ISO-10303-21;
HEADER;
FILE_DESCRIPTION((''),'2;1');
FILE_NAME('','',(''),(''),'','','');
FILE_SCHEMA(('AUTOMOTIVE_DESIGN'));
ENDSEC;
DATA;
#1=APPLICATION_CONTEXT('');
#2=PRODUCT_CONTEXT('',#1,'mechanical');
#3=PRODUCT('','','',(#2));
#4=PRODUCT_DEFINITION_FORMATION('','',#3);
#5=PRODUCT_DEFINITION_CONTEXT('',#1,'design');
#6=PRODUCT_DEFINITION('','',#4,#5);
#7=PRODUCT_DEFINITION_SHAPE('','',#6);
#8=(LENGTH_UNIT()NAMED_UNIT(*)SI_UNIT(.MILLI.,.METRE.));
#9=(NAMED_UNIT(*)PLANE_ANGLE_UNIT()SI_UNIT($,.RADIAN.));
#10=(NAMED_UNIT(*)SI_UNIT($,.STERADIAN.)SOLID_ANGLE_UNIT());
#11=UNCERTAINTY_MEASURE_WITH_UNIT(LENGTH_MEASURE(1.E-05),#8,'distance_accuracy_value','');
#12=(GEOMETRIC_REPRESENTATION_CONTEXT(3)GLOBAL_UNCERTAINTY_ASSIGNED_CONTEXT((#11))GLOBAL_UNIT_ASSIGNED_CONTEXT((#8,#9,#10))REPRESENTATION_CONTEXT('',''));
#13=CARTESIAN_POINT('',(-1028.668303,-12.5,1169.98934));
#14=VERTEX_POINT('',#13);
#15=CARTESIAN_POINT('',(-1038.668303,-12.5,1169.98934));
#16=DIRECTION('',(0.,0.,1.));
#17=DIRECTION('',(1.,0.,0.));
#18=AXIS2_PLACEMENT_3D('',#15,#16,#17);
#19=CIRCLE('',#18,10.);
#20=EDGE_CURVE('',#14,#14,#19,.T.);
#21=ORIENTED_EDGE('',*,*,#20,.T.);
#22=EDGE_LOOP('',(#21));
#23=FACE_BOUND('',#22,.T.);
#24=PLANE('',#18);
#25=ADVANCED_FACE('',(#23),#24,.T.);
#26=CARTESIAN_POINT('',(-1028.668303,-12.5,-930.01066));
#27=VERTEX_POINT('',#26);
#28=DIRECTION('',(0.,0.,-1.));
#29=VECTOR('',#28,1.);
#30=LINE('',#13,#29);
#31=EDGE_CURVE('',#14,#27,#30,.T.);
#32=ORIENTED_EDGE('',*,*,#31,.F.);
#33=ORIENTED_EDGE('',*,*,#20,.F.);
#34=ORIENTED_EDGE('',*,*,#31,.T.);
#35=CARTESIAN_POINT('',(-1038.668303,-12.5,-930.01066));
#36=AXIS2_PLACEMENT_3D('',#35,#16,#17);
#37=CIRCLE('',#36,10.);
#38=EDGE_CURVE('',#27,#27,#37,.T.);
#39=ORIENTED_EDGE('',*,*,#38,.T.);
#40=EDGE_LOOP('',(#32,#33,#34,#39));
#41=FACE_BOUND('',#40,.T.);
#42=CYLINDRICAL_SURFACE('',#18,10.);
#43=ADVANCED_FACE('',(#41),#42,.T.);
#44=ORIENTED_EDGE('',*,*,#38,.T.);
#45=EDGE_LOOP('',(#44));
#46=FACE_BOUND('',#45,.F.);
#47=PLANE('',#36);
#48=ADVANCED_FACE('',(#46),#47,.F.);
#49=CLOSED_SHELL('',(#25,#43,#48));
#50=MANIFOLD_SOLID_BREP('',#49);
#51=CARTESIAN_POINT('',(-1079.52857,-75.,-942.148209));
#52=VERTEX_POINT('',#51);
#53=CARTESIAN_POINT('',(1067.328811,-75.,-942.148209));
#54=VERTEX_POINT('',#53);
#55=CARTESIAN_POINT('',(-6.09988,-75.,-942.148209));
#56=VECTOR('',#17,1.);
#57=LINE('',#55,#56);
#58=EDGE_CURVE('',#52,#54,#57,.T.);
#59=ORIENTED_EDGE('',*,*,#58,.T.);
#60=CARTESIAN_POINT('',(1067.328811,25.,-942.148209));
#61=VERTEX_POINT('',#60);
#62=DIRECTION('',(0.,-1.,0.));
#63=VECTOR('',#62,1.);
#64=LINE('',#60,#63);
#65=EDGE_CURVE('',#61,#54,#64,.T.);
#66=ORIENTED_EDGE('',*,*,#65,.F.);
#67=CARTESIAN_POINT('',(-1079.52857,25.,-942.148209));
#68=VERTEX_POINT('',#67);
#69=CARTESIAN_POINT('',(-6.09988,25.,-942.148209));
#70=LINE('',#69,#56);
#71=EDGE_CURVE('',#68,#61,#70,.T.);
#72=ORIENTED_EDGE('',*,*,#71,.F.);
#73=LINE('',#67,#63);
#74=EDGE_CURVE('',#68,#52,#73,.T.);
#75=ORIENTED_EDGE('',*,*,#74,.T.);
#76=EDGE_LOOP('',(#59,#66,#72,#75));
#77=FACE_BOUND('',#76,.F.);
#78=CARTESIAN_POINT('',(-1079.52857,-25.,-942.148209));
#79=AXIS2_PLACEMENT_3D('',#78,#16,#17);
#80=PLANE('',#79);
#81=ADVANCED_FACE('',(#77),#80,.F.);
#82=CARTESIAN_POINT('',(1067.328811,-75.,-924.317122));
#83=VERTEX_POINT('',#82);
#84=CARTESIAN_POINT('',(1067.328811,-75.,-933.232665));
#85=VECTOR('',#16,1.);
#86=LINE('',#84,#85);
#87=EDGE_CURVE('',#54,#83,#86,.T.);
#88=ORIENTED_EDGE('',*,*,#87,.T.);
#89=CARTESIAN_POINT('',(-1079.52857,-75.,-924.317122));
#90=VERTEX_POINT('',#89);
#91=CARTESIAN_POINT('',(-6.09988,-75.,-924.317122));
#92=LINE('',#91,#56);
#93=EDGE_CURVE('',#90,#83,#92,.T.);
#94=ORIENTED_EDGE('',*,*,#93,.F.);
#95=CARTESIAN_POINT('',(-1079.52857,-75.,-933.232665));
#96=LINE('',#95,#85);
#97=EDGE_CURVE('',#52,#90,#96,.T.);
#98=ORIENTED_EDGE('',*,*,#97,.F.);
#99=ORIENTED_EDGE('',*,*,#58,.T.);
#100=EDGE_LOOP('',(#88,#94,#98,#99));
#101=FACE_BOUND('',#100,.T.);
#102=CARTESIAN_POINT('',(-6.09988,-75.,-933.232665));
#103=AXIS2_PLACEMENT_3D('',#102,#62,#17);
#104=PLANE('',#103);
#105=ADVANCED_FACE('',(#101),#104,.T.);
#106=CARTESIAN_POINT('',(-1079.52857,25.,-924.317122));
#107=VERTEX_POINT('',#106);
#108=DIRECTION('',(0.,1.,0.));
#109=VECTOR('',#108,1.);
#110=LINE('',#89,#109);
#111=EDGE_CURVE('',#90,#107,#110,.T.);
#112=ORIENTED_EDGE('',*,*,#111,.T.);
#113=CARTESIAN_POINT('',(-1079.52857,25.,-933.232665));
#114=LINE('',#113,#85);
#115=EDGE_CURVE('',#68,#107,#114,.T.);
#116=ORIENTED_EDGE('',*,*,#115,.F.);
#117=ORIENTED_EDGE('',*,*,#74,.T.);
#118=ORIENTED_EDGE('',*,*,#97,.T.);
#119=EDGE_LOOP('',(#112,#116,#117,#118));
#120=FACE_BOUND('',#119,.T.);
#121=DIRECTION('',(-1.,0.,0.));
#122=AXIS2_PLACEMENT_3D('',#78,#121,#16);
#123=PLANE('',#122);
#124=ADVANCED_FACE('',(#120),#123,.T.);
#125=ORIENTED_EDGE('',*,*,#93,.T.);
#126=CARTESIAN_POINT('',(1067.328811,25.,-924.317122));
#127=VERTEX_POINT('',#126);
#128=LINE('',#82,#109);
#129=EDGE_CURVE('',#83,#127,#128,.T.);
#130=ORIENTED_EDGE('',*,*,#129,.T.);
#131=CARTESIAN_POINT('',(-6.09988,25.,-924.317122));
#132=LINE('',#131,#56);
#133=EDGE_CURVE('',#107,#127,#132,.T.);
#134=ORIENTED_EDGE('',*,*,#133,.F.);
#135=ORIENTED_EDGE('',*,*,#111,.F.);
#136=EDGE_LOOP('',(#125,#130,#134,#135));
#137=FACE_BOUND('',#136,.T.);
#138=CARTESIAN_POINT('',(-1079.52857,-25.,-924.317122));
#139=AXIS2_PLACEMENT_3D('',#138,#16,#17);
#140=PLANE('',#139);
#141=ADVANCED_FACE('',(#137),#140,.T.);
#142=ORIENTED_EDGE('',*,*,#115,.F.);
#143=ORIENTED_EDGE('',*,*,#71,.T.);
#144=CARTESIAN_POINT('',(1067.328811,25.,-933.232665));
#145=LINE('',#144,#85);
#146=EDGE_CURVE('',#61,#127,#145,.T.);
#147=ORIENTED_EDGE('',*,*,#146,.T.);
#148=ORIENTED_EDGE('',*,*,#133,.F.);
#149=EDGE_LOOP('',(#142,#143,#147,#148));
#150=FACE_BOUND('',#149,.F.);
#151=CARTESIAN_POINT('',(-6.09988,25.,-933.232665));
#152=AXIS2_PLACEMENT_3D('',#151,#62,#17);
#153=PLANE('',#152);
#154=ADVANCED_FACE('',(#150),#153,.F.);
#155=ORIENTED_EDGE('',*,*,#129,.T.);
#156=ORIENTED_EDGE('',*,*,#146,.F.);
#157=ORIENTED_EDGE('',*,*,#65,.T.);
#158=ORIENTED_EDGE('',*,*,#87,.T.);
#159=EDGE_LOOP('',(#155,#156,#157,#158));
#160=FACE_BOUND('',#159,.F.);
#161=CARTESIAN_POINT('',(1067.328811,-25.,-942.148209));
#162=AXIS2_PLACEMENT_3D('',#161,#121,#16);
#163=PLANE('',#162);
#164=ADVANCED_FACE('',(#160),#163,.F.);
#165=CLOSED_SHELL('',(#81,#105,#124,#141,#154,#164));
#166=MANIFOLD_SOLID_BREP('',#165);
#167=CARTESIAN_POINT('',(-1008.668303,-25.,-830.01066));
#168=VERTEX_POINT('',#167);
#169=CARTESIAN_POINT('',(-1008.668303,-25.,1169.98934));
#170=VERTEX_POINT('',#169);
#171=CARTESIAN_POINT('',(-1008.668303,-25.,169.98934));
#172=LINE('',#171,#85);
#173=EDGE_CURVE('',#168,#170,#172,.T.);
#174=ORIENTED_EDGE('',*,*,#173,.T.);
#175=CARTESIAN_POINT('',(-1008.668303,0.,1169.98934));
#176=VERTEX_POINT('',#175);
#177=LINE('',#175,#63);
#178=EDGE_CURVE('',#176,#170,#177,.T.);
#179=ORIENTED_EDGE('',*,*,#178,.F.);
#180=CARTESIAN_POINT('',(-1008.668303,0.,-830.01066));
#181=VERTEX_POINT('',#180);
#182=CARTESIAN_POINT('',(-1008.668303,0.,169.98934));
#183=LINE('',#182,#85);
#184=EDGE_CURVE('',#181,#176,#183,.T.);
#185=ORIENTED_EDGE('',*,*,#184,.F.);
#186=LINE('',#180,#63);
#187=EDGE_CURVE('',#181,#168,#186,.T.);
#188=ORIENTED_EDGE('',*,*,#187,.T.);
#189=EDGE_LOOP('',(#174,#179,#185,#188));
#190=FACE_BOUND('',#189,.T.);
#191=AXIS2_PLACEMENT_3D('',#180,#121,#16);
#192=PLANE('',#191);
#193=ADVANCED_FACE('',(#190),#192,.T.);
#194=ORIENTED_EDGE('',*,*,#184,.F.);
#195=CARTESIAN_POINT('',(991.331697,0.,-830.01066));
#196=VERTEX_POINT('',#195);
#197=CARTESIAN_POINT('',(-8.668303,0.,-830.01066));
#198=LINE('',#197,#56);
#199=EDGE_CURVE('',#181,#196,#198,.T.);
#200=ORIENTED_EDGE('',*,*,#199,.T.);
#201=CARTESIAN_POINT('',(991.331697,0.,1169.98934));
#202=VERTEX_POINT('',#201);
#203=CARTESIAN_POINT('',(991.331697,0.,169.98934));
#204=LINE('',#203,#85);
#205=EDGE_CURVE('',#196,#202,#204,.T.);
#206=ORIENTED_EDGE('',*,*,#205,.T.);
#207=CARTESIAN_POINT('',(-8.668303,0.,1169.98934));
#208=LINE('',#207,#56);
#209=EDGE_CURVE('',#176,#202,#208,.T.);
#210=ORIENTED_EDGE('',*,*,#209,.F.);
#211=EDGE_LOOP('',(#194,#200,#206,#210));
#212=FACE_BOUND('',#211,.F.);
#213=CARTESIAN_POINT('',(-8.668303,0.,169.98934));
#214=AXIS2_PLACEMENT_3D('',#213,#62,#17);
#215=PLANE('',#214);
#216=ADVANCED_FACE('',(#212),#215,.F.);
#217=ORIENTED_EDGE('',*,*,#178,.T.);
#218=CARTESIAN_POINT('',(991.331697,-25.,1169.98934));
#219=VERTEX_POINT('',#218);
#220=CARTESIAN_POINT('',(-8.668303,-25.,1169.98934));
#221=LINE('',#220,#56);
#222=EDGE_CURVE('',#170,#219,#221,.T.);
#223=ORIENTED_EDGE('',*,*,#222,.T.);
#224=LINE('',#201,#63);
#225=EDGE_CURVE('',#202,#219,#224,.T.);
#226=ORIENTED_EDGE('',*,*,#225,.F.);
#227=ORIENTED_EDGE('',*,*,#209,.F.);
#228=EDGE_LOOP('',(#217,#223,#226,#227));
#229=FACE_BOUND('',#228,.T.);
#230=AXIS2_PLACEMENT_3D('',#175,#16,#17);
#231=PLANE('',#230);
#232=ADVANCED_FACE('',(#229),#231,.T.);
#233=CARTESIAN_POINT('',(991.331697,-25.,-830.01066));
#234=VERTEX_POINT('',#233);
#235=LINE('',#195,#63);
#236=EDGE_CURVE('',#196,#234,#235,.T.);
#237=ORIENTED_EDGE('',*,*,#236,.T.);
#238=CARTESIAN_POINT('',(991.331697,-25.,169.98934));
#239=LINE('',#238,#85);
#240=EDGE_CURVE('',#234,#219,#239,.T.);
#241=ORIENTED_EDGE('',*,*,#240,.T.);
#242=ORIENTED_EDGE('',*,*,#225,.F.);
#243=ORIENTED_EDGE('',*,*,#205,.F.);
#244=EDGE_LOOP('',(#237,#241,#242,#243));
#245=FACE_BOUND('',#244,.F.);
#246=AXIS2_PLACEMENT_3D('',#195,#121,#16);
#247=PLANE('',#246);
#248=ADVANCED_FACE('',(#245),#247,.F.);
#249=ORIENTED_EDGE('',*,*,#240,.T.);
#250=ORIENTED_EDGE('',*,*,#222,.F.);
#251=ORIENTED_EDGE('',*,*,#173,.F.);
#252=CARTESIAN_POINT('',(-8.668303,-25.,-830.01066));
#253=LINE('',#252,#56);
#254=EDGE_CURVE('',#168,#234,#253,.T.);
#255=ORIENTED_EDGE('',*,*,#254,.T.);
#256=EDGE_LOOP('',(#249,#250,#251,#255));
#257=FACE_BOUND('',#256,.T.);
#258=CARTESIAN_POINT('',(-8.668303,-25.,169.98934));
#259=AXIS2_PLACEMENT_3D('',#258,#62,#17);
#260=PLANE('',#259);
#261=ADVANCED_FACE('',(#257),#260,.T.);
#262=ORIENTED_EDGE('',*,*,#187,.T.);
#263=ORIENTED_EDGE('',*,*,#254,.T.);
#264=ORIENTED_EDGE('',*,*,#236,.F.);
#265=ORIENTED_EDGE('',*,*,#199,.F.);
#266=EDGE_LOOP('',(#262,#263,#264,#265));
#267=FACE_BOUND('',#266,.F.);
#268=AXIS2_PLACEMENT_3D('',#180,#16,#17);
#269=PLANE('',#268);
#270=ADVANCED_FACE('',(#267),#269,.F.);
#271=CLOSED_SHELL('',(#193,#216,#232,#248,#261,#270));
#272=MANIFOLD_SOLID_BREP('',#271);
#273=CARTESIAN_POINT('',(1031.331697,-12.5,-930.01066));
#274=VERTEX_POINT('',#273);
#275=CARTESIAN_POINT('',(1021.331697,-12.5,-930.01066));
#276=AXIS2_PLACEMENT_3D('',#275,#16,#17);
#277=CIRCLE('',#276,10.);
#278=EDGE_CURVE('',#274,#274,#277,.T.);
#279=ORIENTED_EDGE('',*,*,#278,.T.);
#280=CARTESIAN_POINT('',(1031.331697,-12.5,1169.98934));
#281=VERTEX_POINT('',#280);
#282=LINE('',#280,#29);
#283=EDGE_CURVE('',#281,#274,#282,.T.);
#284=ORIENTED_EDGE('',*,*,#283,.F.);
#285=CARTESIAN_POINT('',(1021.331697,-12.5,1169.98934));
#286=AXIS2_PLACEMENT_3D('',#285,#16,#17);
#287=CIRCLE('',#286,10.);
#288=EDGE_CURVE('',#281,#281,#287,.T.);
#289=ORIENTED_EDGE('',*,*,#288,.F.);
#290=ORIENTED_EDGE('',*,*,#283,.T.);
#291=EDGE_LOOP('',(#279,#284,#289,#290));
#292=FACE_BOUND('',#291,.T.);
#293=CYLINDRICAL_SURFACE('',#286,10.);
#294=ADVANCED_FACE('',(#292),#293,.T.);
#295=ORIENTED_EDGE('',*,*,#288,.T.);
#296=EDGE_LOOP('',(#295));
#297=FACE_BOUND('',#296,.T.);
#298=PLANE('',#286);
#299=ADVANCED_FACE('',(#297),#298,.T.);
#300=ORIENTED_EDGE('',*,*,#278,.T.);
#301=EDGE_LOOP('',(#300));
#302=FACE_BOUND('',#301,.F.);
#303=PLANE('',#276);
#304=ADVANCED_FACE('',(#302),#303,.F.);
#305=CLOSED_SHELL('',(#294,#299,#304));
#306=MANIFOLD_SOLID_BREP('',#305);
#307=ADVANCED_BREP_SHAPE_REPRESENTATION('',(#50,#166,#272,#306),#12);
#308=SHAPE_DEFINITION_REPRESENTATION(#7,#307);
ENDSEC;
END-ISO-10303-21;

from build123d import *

# Parameters (mm, degrees)
F0_W          = 2000
F0_H          = 2000
F1_DEPTH      = 25
F2_R          = 10
F3_DEPTH      = 2100
F4_W          = 2146.857380867
F4_H          = 17.8310871124
F5_DEPTH      = 50
F5_DEPTH_BACK = 50


with BuildPart() as f1:
    # F0 (on Front) → F1 (new body)
    with BuildSketch(Plane.XZ):
        with Locations((-8.6683034897, 169.989340106)):
            Rectangle(F0_W, F0_H)
    extrude(amount=F1_DEPTH)


with BuildPart() as f3:
    # F2 (on face) → F3 (new body)
    with BuildSketch(Plane.XY.offset(1169.989340106)):
        with Locations((-1038.6683034897, -12.5)):
            Circle(F2_R)
    extrude(amount=-F3_DEPTH)


with BuildPart() as f3b:
    # F2 (on face) → F3, piece 2 (new body)
    with BuildSketch(Plane.XY.offset(1169.989340106)):
        with Locations((1021.3316965103, -12.5)):
            Circle(F2_R)
    extrude(amount=-F3_DEPTH)


with BuildPart() as f5:
    # F4 (on face) → F5 (new body, two sides)
    with BuildSketch(Plane.XZ.offset(25)) as f5_sk:
        with Locations((-6.0998797417, -933.232665062)):
            Rectangle(F4_W, F4_H)
    extrude(amount=-F5_DEPTH)
    extrude(f5_sk.sketch, amount=F5_DEPTH_BACK)


solid = Compound([f1.part, f3.part, f3b.part, f5.part])
